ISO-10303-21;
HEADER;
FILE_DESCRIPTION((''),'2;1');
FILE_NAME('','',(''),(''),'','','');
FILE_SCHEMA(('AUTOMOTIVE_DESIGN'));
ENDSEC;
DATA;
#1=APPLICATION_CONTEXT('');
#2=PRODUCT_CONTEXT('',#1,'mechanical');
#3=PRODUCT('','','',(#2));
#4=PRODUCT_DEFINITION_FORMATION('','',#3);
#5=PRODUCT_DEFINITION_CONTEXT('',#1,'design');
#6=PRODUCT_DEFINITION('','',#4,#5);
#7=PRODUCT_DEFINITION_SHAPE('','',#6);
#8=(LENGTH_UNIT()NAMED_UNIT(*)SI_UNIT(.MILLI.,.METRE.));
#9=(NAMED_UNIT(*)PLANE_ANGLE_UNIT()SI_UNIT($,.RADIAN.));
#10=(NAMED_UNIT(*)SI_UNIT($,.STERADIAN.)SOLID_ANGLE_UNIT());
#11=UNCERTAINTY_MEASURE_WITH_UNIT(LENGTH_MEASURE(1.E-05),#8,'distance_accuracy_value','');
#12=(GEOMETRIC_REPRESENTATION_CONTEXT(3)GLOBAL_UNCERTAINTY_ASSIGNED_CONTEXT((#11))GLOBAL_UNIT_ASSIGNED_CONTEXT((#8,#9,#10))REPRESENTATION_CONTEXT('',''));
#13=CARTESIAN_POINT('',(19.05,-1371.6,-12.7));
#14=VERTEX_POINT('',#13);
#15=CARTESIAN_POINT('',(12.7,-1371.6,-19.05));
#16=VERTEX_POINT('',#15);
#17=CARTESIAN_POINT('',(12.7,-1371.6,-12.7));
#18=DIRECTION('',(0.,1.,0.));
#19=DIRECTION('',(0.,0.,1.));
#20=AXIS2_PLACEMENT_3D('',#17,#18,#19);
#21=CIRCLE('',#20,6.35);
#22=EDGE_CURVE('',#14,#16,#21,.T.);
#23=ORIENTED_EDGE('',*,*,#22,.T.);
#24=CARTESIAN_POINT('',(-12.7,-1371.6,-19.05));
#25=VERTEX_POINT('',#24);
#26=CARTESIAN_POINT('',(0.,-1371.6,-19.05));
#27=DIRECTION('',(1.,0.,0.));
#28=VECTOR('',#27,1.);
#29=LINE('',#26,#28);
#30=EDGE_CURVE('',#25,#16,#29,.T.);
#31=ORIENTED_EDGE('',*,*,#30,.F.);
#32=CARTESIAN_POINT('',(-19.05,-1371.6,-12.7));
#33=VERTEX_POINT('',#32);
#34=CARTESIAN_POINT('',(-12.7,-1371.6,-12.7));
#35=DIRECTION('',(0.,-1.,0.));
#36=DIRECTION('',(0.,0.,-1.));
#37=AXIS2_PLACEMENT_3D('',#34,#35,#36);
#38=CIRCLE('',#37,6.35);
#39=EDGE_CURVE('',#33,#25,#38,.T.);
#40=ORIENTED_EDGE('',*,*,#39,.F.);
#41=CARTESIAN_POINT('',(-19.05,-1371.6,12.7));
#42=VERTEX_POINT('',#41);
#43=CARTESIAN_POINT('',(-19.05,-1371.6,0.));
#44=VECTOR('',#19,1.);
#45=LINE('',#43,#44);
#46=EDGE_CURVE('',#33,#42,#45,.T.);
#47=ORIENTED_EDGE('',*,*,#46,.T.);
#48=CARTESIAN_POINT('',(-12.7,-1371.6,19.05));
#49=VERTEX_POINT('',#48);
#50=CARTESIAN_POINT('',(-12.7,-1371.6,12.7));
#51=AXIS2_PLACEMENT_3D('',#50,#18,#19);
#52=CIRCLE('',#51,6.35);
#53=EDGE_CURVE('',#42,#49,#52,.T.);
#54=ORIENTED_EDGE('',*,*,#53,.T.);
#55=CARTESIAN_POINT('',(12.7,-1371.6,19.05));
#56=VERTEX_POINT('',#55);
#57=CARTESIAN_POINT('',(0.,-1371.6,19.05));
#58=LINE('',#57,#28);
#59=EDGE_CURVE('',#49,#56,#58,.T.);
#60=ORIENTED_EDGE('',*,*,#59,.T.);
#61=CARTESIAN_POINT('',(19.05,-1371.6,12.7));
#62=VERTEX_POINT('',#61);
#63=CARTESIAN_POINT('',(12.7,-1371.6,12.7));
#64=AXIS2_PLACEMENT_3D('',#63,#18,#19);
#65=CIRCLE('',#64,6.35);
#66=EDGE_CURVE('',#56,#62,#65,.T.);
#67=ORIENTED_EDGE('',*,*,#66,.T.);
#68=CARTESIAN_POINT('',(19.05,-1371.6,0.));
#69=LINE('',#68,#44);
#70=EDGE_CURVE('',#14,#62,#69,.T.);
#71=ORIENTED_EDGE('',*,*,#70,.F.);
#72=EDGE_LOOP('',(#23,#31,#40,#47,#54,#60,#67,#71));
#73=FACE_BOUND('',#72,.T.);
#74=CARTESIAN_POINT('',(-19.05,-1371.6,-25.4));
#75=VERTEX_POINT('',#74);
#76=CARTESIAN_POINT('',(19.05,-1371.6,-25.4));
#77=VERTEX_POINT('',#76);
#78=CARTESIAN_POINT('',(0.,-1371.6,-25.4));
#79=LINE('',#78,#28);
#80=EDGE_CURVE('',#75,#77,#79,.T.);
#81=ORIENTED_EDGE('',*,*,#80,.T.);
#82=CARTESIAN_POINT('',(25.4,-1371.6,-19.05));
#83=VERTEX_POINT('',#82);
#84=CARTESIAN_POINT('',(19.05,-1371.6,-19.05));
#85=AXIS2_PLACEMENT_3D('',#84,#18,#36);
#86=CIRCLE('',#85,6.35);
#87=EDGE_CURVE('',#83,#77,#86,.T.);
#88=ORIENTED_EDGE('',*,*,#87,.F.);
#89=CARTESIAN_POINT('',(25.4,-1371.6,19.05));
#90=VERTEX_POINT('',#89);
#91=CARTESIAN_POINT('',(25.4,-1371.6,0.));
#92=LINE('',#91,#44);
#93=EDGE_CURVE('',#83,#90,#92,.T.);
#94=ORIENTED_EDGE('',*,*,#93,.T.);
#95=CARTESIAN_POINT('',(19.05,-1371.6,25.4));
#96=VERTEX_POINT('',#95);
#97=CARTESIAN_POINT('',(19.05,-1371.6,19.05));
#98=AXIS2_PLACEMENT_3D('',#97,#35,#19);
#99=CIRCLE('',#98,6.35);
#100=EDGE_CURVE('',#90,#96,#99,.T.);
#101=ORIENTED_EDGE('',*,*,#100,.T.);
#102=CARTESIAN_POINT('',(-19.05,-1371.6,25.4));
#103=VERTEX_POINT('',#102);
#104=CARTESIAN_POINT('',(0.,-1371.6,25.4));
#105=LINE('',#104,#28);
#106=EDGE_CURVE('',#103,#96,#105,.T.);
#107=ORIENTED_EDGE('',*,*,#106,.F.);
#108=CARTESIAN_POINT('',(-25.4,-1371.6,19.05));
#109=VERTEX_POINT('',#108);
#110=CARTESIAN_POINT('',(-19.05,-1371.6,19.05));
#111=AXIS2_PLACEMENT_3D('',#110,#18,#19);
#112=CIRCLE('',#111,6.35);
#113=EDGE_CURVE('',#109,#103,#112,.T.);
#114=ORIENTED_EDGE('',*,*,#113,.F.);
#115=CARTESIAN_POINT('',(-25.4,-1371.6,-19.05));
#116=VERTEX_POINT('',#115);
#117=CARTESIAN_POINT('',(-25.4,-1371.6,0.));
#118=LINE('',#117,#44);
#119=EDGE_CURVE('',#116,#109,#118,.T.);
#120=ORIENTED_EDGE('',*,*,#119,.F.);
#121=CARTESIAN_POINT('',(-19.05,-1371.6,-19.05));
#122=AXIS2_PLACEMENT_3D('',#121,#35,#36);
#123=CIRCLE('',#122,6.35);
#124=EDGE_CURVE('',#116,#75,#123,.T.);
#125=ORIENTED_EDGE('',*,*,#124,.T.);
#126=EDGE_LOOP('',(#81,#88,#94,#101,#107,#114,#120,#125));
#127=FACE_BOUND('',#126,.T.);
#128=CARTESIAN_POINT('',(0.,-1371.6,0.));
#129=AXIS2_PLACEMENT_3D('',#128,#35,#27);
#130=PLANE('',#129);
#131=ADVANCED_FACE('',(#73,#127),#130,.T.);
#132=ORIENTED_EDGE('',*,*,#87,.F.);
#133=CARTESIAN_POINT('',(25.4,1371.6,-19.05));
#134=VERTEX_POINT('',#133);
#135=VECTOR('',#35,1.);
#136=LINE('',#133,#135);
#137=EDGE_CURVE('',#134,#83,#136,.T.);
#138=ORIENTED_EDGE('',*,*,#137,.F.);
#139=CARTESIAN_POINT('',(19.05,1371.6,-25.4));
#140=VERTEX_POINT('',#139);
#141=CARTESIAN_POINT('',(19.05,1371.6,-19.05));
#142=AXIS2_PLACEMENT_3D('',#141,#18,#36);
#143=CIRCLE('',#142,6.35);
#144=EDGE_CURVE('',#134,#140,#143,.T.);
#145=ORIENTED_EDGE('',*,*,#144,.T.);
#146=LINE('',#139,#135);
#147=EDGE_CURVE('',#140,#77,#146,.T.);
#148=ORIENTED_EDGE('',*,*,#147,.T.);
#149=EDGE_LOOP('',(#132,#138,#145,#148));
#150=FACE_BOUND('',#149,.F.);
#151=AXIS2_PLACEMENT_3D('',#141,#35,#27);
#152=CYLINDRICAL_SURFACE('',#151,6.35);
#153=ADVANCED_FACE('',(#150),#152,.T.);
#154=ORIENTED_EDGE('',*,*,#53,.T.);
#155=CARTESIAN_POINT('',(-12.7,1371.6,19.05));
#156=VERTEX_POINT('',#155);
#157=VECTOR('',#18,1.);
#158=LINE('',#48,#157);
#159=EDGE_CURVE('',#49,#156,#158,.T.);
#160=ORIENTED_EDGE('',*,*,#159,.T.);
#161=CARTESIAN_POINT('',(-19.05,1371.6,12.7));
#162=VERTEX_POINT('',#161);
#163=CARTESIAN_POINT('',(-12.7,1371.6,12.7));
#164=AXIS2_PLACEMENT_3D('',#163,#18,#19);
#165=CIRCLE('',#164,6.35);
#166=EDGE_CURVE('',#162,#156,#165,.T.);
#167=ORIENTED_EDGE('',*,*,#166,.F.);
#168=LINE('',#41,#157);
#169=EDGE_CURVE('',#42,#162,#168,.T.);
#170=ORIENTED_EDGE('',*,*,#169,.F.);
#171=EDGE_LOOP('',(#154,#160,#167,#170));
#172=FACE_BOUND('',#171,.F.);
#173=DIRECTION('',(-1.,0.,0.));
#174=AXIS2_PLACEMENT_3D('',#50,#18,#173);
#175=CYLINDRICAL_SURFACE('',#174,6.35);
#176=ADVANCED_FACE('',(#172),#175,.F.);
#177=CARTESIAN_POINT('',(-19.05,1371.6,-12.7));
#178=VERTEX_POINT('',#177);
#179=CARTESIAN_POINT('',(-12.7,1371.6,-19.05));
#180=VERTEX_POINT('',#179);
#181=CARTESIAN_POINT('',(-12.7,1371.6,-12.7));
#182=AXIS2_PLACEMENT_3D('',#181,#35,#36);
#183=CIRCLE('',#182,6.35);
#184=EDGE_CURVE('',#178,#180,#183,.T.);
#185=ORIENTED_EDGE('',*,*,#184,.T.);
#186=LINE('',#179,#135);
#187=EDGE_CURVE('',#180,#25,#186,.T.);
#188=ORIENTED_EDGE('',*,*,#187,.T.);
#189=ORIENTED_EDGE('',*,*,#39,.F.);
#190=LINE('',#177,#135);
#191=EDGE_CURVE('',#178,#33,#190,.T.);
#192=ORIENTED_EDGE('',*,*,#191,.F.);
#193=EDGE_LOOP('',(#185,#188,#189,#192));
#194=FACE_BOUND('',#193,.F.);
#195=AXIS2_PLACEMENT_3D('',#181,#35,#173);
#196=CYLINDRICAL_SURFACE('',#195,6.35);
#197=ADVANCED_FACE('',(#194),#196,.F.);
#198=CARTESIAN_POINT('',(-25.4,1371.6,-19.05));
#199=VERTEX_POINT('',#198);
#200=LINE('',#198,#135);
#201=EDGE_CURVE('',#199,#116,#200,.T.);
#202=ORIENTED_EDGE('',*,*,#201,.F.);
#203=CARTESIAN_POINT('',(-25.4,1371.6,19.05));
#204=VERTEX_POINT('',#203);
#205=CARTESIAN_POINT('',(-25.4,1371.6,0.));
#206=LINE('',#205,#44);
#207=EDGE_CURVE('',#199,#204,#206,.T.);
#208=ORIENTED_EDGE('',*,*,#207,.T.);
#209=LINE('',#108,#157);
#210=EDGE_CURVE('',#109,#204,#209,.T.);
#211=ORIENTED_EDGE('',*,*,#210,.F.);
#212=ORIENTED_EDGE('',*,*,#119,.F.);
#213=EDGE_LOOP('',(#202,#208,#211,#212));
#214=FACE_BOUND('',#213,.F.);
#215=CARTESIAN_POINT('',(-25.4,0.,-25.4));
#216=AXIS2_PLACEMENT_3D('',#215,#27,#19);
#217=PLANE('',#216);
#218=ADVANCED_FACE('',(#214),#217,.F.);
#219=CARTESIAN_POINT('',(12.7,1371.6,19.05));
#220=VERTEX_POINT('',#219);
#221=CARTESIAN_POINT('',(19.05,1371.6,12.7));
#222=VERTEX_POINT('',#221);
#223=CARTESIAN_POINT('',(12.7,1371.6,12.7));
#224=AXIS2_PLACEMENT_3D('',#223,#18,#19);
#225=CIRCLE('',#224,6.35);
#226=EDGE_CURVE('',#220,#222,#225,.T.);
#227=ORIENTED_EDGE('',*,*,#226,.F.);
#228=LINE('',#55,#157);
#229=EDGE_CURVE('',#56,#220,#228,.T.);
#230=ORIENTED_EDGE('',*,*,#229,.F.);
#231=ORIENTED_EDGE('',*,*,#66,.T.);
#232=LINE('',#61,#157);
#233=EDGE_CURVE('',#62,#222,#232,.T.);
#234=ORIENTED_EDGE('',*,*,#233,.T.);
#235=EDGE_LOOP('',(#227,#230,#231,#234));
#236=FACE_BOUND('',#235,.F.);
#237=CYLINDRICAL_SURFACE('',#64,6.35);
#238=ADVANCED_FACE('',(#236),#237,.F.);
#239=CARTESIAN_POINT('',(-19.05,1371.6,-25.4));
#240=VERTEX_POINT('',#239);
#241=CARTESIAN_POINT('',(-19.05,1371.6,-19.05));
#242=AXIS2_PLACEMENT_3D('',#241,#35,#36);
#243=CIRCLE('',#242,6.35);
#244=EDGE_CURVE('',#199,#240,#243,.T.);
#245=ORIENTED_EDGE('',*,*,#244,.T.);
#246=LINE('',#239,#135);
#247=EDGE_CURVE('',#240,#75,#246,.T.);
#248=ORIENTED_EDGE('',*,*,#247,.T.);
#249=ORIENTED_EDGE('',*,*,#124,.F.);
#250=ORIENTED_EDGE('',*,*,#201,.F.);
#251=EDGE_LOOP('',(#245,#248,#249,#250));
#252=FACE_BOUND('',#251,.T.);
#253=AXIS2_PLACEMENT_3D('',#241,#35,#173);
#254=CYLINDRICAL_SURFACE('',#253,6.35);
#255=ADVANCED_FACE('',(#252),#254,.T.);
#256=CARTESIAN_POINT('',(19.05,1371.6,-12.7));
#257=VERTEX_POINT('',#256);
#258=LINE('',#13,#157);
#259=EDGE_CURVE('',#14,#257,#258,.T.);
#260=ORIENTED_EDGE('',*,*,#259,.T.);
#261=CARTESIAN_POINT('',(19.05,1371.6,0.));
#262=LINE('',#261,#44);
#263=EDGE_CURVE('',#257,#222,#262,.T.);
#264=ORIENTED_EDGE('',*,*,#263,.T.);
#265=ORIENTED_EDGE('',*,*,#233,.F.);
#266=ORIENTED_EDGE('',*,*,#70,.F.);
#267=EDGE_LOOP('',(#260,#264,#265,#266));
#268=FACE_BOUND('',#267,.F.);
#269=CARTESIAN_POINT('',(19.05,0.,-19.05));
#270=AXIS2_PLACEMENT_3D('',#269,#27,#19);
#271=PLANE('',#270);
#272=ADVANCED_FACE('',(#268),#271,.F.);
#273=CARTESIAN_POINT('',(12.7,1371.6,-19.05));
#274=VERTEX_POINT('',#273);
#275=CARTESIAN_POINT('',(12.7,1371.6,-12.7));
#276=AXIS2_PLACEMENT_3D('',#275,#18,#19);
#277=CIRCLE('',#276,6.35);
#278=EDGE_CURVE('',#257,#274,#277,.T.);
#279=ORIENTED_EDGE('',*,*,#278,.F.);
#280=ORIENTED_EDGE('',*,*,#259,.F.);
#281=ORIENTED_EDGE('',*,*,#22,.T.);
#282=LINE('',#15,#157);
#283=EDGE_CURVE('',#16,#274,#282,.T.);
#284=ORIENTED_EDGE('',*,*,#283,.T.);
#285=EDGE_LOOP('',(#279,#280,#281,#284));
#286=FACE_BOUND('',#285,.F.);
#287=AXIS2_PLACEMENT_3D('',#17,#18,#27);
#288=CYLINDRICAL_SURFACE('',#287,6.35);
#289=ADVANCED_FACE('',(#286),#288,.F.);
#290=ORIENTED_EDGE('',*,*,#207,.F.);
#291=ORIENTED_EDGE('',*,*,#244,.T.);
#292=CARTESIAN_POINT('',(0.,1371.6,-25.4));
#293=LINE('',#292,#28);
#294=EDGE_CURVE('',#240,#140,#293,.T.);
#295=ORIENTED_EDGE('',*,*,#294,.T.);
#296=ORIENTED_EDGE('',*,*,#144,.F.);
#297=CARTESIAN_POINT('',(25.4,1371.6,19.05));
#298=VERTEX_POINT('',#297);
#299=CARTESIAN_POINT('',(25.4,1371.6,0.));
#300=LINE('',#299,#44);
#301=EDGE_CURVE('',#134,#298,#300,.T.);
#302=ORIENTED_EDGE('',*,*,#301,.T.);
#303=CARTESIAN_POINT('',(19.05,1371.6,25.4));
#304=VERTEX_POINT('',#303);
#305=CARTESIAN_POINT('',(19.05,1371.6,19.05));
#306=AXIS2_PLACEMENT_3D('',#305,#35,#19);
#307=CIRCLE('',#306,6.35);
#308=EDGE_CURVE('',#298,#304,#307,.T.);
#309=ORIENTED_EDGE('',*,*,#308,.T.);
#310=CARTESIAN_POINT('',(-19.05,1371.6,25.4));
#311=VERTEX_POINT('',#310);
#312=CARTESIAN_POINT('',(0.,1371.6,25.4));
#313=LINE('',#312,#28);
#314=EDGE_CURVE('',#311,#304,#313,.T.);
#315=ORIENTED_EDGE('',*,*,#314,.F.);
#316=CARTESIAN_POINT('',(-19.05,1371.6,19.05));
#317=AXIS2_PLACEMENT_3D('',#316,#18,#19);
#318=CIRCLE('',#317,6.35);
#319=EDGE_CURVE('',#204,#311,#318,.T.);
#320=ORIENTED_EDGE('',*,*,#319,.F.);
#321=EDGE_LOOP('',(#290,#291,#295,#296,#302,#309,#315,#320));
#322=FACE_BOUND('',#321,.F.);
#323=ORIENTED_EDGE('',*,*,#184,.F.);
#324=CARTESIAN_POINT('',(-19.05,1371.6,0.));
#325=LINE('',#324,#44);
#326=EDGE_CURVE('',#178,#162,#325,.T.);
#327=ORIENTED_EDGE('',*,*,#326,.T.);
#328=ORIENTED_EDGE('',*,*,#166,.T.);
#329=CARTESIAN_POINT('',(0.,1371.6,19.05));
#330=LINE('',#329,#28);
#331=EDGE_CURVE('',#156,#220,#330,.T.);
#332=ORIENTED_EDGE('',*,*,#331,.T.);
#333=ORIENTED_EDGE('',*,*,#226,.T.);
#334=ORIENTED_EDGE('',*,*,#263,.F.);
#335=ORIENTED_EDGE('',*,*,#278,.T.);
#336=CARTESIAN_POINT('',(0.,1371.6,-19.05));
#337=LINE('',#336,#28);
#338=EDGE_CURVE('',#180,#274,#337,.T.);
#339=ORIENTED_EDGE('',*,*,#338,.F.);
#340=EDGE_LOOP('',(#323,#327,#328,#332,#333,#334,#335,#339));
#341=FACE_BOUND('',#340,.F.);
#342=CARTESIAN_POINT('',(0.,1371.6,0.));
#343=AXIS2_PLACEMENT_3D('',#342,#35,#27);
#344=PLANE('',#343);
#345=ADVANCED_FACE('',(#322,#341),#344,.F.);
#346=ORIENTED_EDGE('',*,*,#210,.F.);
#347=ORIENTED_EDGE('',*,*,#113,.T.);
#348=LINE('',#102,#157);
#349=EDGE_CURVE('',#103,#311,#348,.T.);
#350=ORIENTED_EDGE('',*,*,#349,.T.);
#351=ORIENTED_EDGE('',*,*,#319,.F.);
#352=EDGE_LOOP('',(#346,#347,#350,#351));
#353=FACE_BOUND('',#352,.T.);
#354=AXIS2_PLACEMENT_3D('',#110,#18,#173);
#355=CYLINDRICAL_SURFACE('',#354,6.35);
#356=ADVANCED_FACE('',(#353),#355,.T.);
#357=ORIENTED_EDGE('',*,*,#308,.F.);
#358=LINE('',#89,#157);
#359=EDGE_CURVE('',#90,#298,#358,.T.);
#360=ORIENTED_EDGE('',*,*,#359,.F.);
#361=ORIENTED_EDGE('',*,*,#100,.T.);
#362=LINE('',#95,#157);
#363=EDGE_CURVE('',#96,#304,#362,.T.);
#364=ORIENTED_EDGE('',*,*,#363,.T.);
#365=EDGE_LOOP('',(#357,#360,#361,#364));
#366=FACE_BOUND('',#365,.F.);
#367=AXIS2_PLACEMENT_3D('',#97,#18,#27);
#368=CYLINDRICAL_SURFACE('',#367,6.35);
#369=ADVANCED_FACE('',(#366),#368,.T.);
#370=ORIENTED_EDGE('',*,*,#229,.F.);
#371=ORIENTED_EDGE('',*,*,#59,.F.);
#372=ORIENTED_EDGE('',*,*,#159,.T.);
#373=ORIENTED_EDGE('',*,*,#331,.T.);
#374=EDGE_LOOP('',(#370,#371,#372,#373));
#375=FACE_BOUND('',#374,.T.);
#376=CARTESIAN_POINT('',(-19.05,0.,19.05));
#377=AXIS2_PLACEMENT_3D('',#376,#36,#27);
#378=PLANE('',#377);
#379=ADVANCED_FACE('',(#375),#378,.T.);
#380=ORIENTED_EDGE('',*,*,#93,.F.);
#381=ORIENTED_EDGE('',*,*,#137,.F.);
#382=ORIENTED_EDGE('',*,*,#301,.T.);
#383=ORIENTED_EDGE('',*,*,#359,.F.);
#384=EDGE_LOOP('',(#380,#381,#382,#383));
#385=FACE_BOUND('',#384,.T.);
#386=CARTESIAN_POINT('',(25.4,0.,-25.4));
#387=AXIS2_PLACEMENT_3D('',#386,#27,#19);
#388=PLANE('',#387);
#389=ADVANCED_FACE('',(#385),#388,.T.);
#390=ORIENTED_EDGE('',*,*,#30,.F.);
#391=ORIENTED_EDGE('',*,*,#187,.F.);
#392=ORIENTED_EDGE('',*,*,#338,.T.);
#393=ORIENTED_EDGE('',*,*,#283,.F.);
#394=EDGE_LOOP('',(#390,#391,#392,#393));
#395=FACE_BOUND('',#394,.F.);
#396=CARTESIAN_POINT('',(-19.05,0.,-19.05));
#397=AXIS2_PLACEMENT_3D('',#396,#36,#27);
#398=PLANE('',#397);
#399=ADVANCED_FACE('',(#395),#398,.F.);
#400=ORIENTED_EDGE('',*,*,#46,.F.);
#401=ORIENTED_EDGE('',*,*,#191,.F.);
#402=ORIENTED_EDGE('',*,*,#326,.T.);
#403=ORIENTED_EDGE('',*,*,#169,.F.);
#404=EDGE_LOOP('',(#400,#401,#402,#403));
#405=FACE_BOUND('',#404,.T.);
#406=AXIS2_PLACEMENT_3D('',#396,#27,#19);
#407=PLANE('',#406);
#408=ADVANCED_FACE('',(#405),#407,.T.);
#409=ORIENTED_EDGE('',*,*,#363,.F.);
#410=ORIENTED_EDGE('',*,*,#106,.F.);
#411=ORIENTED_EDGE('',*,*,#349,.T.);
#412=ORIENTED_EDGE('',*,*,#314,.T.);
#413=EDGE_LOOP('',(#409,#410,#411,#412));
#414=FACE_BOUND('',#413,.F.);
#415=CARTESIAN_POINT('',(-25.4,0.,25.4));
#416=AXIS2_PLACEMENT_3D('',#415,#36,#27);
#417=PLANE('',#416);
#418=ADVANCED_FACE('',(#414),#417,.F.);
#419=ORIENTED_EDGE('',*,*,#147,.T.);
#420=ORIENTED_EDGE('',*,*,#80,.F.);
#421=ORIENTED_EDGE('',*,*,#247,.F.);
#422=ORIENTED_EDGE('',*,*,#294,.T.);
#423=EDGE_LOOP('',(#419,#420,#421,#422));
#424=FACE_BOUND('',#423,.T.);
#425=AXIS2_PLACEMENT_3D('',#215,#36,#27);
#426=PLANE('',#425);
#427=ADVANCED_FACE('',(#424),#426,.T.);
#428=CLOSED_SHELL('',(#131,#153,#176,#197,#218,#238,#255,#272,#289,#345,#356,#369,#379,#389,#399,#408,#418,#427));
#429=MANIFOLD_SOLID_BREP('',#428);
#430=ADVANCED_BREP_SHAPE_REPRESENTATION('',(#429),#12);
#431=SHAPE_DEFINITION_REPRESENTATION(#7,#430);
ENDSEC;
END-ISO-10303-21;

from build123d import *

# Parameters (mm, degrees)
F0_W     = 50.8
F0_H     = 50.8
F0_W_2   = 38.1
F0_H_2   = 38.1
F1_DEPTH = 1371.6
F2_R     = 6.35


with BuildPart() as f1:
    # F0 (on Front) → F1 (new body, symmetric)
    with BuildSketch(Plane.XZ):
        Rectangle(F0_W, F0_H)
        Rectangle(F0_W_2, F0_H_2, mode=Mode.SUBTRACT)
    extrude(amount=F1_DEPTH, both=True)

    # F2
    f2_edges = [f1.edges().sort_by_distance(p)[0] for p in [
        (-25.4, 0, 25.4),
        (25.4, 0, 25.4),
        (19.05, 0, -19.05),
        (-19.05, 0, -19.05),
        (25.4, 0, -25.4),
        (-25.4, 0, -25.4),
        (19.05, 0, 19.05),
        (-19.05, 0, 19.05),
    ]]
    fillet(f2_edges, radius=F2_R)


solid = f1.part
